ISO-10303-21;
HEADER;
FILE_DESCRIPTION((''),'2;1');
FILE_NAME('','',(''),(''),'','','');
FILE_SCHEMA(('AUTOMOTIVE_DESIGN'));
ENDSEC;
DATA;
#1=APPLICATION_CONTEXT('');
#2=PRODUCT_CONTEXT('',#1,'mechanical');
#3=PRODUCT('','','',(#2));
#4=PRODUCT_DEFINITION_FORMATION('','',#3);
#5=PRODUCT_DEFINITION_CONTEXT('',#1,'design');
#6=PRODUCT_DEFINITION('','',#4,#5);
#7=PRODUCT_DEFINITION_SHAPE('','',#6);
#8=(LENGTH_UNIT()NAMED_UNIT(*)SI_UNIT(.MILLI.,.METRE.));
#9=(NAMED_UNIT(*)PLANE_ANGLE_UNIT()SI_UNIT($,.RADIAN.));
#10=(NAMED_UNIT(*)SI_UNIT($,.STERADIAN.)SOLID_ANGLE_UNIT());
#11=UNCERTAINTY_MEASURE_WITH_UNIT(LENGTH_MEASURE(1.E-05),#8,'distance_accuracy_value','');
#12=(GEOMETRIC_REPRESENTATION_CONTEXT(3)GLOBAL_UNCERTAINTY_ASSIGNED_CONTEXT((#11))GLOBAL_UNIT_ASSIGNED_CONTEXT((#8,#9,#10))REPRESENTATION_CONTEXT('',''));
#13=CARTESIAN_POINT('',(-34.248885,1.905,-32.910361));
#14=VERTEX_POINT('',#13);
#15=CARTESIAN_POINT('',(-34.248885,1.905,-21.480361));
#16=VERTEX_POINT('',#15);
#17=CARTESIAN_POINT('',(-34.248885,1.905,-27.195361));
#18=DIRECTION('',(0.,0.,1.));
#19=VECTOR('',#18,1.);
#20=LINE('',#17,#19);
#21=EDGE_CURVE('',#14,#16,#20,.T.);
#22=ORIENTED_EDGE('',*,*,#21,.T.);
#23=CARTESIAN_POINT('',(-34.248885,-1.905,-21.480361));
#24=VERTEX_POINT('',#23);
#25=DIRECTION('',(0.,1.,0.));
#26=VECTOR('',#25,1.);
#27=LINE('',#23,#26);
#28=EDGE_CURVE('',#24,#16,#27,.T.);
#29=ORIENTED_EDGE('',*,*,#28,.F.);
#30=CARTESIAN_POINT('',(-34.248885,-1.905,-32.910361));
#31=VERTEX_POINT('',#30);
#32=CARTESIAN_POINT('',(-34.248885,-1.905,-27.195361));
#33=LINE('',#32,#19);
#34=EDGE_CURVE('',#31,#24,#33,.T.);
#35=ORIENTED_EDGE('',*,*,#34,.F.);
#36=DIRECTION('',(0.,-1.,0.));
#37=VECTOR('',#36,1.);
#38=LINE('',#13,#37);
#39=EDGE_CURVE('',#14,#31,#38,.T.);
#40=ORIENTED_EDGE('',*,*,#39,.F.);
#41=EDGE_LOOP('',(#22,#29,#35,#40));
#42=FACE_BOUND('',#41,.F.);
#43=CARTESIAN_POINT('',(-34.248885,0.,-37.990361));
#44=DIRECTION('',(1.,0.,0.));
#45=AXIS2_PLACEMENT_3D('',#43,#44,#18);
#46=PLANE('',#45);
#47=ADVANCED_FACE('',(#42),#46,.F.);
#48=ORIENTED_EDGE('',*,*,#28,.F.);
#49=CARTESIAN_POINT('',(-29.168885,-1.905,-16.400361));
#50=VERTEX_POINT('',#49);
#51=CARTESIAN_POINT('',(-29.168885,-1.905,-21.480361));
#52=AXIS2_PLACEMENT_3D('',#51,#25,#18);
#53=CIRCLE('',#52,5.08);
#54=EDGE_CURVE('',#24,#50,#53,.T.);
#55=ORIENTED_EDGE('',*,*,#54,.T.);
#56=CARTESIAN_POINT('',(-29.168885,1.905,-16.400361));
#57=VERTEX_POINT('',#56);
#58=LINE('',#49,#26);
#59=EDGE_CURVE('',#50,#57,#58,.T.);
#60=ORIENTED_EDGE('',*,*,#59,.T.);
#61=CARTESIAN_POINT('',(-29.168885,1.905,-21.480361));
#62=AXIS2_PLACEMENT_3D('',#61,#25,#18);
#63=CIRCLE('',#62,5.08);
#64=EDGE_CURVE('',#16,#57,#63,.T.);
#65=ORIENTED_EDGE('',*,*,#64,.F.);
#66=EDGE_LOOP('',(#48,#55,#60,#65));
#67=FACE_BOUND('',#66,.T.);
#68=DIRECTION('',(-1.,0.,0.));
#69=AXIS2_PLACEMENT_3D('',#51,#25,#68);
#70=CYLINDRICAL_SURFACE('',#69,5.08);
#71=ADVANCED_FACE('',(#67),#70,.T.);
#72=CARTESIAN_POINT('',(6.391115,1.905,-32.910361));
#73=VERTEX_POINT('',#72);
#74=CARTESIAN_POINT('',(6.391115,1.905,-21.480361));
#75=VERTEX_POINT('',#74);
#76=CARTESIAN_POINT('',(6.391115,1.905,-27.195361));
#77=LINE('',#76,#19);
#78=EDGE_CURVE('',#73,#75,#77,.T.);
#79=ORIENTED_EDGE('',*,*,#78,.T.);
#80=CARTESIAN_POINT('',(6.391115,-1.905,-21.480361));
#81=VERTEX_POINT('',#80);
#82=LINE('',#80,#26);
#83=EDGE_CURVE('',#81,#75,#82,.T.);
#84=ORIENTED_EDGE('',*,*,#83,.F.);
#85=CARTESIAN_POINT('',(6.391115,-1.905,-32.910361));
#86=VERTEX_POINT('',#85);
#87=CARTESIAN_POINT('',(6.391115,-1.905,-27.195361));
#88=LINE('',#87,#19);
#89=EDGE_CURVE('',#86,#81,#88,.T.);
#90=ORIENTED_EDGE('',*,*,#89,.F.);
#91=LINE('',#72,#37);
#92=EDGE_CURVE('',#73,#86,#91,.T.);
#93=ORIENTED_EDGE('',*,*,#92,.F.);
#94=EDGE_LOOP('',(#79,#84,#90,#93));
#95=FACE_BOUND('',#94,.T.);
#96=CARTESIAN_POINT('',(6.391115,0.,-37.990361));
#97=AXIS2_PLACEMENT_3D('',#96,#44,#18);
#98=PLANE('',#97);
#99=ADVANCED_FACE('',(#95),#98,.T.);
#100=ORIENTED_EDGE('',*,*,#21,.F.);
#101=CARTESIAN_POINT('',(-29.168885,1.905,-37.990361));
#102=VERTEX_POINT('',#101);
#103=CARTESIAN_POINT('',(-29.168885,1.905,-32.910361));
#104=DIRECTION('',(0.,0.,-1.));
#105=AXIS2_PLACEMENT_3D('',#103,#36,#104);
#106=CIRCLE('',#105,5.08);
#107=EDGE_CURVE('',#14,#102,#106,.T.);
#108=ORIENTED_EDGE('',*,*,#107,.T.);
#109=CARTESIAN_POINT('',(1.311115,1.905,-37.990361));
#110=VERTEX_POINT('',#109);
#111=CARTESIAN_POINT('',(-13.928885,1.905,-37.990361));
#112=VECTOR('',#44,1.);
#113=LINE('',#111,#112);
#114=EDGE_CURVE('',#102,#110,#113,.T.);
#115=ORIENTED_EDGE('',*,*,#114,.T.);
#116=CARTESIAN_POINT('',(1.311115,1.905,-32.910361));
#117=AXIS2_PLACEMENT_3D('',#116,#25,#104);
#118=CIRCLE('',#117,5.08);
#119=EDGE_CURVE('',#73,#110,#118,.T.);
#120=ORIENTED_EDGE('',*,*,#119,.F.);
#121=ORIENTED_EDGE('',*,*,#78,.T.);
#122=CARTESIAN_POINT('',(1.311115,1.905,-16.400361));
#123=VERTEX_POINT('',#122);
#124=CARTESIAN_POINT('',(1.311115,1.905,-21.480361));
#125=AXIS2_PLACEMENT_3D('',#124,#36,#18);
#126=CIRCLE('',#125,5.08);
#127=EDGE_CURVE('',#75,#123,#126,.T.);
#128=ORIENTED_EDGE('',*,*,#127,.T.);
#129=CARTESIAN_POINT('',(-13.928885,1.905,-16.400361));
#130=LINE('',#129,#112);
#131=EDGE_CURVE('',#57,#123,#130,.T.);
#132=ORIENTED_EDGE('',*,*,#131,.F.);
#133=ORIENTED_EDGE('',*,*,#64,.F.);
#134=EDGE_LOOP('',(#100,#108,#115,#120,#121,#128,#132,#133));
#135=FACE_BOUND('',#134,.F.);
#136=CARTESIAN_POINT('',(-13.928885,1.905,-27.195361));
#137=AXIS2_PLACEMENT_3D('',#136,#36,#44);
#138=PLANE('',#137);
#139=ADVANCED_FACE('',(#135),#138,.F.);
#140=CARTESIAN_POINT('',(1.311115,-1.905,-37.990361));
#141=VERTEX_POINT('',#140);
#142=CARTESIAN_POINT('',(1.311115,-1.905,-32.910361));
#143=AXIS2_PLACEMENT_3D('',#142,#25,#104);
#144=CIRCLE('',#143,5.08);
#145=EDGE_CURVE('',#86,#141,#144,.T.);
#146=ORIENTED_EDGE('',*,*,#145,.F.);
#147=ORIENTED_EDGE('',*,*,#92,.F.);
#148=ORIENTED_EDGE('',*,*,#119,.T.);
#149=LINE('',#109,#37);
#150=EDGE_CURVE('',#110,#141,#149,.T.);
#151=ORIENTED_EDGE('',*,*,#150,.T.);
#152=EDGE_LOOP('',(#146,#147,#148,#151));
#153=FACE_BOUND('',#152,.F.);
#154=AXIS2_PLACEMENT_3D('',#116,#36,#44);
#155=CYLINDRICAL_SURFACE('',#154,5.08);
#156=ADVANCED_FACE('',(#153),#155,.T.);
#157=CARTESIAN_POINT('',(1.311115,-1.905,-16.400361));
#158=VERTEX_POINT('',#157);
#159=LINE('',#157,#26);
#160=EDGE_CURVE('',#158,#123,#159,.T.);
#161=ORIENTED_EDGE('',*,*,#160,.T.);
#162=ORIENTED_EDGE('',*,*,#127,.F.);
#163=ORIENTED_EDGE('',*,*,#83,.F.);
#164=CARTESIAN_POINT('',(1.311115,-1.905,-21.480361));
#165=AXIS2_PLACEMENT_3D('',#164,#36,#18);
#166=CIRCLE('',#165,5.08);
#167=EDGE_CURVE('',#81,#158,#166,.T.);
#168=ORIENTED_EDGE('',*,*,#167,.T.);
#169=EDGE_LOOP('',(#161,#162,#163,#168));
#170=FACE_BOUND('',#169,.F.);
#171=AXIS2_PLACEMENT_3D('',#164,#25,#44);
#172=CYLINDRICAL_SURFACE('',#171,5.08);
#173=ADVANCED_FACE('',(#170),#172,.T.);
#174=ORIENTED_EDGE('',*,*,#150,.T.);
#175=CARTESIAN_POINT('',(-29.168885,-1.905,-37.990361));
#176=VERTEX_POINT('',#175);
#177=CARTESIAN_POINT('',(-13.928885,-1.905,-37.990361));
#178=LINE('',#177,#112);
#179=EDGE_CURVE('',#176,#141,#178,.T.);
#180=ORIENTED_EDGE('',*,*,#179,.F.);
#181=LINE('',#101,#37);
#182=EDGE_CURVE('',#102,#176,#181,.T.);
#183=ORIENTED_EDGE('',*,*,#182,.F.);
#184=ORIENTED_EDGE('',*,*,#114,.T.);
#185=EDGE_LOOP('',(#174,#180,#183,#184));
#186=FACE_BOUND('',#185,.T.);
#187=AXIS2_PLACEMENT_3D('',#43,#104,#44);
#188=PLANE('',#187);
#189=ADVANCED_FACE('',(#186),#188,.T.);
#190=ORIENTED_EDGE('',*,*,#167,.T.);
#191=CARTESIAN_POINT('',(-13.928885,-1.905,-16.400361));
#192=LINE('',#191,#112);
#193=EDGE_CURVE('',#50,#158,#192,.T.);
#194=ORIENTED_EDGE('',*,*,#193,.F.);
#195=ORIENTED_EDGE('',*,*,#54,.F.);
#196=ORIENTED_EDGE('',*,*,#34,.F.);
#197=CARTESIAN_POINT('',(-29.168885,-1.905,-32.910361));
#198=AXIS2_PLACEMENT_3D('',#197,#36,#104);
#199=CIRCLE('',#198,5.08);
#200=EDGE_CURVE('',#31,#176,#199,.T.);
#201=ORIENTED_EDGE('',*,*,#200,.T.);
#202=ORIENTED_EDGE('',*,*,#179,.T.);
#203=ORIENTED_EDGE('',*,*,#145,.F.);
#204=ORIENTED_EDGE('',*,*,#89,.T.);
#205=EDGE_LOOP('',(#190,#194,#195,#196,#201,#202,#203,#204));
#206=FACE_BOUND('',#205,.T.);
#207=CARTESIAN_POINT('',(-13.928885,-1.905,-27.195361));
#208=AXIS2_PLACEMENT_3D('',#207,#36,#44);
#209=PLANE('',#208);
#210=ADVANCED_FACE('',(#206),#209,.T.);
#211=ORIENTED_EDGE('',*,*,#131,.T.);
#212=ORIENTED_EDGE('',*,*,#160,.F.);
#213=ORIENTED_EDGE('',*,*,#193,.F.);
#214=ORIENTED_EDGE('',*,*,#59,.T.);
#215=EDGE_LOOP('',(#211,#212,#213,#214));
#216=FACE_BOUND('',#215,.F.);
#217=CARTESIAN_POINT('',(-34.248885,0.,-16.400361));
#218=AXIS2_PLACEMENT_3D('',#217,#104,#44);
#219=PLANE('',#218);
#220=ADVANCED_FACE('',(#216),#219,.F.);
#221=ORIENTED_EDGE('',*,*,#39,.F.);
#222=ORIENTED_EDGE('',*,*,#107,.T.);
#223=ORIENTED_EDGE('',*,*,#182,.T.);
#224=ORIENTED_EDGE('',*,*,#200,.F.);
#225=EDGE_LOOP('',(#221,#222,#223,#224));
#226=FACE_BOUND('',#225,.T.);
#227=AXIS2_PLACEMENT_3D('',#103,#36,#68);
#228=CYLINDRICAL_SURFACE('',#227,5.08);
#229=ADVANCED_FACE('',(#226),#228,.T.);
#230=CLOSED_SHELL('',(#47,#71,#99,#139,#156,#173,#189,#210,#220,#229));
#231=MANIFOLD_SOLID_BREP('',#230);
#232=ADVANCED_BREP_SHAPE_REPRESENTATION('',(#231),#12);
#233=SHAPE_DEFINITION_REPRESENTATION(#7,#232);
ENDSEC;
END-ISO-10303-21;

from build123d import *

# Parameters (mm, degrees)
F0_W     = 40.64
F0_H     = 21.59
F1_DEPTH = 1.905
F2_R     = 5.08


with BuildPart() as f1:
    # F0 (on Front) → F1 (new body, symmetric)
    with BuildSketch(Plane.XZ):
        with Locations((-13.928885, -27.195361)):
            Rectangle(F0_W, F0_H)
    extrude(amount=F1_DEPTH, both=True)

    # F2
    f2_edges = [f1.edges().sort_by_distance(p)[0] for p in [
        (-34.248885, 0, -16.400361),
        (6.391115, 0, -16.400361),
        (-34.248885, 0, -37.990361),
        (6.391115, 0, -37.990361),
    ]]
    fillet(f2_edges, radius=F2_R)


solid = f1.part
